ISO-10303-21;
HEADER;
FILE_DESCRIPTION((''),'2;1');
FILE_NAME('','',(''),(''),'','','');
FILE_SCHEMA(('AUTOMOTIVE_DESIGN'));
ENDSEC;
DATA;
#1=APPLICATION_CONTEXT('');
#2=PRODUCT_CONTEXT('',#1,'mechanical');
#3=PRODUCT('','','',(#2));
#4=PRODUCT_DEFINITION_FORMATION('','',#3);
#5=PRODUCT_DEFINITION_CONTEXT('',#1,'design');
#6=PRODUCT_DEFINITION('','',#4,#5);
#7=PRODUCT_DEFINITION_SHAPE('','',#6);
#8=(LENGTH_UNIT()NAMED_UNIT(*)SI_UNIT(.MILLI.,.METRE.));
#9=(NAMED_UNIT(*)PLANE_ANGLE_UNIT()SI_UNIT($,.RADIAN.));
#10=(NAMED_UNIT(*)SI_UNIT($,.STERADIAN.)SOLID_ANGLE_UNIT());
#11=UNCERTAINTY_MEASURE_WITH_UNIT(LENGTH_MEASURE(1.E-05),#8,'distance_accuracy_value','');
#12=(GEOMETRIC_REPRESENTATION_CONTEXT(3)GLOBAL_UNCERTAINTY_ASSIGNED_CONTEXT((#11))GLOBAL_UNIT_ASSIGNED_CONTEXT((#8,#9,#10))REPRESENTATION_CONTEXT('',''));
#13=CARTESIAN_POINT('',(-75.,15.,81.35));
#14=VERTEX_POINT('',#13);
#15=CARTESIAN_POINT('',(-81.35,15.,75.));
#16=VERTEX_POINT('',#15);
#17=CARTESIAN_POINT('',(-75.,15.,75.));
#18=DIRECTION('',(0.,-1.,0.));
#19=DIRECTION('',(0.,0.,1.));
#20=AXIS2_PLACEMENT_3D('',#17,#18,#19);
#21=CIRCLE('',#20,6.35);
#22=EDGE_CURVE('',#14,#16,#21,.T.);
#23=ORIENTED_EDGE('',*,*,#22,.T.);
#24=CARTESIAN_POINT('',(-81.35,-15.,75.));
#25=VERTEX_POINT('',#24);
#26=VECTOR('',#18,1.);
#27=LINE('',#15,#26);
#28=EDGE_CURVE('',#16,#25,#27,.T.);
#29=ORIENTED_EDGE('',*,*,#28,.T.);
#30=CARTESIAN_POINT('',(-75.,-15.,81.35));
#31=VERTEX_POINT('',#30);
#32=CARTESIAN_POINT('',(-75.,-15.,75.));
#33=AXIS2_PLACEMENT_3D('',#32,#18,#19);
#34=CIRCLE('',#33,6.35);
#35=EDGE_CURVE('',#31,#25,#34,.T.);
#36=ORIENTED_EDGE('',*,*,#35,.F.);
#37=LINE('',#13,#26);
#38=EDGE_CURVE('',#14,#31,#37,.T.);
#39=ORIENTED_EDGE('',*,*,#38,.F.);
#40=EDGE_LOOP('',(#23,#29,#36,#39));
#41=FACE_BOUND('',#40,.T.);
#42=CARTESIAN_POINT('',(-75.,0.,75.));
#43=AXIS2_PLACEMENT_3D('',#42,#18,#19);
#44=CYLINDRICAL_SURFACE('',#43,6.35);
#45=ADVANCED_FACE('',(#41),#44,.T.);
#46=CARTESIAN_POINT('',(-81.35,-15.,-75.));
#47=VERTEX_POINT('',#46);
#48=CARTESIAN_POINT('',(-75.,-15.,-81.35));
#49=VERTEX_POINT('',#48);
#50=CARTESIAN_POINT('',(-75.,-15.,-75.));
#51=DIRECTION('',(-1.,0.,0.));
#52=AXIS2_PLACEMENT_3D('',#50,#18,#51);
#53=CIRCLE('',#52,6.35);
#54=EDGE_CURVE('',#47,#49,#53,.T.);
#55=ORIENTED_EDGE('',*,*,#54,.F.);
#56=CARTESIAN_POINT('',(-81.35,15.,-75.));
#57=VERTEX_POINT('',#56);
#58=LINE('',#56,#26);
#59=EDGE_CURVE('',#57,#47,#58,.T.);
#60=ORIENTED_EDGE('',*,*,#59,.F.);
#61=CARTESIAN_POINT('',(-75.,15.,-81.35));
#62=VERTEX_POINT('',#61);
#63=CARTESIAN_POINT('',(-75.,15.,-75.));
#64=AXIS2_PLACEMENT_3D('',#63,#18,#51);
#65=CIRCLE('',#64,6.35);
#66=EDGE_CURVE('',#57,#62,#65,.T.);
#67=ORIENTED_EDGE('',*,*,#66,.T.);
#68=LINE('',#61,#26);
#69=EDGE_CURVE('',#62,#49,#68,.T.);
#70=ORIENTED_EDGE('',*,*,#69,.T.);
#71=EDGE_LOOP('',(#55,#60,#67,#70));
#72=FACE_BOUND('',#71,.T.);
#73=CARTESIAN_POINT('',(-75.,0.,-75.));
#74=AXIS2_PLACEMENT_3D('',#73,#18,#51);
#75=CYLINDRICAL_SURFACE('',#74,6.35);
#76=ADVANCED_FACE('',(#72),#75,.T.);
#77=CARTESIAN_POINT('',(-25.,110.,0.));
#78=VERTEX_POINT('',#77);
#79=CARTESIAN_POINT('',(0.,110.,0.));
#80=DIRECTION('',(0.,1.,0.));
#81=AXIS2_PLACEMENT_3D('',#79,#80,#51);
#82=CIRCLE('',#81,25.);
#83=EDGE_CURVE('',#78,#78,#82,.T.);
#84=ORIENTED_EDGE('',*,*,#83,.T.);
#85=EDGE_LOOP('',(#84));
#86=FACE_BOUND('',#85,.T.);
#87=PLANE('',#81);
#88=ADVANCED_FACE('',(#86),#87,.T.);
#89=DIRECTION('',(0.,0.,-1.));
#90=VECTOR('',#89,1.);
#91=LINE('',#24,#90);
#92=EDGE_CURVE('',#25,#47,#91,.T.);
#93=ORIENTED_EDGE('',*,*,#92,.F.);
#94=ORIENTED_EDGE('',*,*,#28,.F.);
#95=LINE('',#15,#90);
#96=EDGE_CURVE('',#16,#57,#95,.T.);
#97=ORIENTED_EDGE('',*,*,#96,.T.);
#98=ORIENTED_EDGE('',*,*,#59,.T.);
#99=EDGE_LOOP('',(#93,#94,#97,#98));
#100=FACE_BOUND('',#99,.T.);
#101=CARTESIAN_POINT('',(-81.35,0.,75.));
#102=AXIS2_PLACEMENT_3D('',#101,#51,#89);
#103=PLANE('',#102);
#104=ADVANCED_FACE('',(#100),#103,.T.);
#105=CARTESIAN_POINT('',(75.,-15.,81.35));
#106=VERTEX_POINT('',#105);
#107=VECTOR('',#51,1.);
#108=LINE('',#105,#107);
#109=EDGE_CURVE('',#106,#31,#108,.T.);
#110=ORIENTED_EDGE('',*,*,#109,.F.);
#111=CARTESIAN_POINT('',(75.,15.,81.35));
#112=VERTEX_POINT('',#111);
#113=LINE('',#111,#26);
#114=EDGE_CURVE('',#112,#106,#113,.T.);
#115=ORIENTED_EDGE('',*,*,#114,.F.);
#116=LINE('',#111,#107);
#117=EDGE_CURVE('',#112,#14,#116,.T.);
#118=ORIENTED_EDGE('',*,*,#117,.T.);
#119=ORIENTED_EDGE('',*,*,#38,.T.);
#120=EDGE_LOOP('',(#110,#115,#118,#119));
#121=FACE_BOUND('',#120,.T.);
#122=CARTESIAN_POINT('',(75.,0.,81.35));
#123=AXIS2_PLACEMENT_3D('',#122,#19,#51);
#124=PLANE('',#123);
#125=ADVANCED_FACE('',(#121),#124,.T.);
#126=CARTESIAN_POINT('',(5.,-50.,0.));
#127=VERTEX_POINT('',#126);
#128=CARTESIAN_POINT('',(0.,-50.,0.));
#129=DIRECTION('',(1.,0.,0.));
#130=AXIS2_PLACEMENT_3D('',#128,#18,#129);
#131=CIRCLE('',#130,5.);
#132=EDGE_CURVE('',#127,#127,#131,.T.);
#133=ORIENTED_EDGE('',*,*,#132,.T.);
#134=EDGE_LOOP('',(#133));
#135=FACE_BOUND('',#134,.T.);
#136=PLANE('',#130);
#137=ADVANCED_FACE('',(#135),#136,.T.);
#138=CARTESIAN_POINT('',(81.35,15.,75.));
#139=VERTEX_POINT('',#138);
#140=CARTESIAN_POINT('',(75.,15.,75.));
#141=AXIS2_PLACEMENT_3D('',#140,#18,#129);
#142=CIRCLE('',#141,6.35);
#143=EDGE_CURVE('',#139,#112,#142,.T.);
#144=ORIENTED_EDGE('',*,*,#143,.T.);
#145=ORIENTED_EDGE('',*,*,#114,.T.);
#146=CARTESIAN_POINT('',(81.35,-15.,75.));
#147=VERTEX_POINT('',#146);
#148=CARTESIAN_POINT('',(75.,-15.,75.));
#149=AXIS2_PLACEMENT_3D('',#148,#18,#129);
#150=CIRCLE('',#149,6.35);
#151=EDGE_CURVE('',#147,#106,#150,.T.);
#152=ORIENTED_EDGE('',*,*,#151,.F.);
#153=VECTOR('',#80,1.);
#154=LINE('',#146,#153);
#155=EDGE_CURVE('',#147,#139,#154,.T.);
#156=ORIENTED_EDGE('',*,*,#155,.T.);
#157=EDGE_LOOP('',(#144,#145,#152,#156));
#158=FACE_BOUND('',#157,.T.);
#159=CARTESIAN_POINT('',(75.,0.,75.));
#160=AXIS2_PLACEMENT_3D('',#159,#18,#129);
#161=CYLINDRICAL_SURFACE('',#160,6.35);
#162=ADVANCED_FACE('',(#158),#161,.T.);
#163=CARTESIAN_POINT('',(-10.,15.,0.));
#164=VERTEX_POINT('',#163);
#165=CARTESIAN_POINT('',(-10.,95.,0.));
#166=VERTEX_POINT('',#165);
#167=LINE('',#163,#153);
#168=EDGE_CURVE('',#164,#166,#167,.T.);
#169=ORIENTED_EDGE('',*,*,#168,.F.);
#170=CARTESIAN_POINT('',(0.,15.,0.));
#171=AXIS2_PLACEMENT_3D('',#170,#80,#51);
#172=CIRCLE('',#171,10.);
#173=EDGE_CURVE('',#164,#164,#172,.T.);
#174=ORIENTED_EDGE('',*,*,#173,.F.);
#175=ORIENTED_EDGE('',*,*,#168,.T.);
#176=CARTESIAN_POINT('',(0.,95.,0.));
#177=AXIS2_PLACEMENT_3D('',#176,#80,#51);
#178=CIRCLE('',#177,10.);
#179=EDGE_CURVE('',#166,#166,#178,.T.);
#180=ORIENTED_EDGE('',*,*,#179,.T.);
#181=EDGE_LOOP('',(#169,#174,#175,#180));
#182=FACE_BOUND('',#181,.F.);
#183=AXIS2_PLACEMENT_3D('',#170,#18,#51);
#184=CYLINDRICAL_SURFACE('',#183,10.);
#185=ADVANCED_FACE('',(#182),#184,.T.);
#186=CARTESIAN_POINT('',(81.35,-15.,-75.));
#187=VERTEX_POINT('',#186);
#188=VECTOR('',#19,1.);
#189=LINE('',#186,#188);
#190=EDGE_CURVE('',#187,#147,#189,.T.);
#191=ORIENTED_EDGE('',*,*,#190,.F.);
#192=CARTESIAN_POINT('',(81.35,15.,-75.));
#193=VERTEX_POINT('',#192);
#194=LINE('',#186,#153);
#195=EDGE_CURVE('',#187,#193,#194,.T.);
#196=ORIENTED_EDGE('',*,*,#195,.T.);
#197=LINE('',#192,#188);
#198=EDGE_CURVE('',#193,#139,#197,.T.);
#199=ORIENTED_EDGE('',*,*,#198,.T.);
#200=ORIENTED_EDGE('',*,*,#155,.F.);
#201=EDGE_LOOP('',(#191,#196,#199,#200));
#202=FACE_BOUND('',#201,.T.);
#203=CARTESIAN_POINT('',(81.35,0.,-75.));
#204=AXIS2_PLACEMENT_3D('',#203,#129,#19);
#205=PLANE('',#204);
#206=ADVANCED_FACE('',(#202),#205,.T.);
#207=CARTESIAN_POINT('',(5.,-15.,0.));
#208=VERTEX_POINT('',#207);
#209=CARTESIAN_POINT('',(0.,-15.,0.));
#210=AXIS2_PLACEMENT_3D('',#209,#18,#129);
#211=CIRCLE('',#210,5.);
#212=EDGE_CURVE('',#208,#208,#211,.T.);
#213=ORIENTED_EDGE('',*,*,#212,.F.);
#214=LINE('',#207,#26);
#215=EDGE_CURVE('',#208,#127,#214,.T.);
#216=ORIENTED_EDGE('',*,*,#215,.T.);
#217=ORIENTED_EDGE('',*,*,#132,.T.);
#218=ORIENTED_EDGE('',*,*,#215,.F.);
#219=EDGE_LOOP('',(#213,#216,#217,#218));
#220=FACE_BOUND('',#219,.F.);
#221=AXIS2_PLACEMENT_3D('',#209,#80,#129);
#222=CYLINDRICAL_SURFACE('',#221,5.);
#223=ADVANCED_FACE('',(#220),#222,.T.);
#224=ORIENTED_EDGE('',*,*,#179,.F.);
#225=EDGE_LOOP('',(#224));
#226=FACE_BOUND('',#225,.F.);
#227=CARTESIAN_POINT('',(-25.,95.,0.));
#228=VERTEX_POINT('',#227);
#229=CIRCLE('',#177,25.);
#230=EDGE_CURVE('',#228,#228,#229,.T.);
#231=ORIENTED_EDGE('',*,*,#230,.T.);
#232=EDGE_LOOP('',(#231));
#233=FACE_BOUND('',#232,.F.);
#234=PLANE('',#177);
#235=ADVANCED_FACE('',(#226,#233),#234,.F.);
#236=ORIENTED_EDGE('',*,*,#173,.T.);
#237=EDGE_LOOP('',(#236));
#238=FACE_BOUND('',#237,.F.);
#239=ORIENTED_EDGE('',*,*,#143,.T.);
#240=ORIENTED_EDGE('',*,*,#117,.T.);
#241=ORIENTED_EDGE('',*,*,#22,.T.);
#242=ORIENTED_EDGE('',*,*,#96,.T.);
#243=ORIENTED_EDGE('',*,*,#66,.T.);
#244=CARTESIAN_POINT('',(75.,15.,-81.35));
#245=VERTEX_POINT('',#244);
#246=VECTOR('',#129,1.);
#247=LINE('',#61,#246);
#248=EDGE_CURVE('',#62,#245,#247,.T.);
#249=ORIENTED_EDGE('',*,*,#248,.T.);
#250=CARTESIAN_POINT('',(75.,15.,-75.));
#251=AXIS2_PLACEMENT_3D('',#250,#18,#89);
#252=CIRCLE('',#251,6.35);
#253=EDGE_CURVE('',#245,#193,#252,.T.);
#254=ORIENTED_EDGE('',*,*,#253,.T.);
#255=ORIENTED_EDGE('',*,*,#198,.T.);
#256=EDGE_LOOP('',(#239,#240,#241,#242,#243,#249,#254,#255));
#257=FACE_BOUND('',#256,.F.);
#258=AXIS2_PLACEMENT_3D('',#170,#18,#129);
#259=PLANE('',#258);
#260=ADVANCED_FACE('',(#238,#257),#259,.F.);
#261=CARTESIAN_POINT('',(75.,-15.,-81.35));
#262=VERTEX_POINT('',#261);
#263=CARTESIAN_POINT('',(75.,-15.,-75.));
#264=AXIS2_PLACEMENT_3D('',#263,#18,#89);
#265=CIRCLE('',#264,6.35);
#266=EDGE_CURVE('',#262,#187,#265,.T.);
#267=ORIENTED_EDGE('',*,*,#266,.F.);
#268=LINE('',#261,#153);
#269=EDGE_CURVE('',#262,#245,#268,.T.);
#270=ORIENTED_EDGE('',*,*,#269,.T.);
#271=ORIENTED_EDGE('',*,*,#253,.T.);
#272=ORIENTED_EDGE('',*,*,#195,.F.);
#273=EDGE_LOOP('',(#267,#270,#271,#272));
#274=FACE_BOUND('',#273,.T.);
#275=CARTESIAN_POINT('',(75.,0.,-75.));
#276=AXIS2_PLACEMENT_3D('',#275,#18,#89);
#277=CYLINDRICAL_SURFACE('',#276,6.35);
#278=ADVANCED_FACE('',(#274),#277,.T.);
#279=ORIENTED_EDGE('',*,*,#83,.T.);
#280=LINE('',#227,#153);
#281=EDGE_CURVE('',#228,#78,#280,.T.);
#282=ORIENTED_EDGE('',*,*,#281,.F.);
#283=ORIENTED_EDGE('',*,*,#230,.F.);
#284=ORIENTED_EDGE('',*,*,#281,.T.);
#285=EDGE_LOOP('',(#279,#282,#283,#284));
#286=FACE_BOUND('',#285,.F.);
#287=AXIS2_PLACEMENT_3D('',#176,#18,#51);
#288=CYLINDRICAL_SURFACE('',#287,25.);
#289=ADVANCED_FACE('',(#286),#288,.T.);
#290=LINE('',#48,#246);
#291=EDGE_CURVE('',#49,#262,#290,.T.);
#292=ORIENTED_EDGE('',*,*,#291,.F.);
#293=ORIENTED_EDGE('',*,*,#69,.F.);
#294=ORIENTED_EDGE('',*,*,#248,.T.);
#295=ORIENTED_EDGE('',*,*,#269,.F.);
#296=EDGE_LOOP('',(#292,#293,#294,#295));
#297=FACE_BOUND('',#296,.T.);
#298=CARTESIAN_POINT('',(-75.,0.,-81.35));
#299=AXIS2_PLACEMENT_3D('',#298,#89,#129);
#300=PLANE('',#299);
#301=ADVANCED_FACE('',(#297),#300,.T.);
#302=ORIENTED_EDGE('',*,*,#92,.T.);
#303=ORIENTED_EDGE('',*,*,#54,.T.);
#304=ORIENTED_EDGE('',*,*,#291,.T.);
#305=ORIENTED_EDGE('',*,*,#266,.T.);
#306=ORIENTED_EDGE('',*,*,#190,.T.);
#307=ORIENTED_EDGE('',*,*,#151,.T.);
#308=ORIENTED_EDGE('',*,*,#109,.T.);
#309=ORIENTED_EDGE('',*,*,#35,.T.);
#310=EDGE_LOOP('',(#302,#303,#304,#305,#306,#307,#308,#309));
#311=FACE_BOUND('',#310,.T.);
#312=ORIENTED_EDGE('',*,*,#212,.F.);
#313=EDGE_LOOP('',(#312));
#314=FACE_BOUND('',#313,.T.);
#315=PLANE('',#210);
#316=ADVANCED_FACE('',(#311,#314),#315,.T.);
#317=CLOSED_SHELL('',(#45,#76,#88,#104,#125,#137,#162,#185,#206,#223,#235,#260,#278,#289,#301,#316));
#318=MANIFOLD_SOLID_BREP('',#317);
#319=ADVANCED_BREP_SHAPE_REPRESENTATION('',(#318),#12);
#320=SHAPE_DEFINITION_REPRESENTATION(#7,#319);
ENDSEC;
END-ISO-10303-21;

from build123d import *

# Parameters (mm, degrees)
F1_DEPTH = 15
F2_R     = 5
F3_DEPTH = 35
F4_R     = 10
F5_DEPTH = 80
F6_R     = 25
F7_DEPTH = 15


with BuildPart() as f1:
    # F0 (on Front) → F1 (new body, symmetric)
    with BuildSketch(Plane.XZ):
        with BuildLine():
            ThreePointArc((81.35, 75), (79.4901280605, 79.4901280605), (75, 81.35))
            Line((75, 81.35), (-75, 81.35))
            ThreePointArc((-75, 81.35), (-79.4901280605, 79.4901280605), (-81.35, 75))
            Line((-81.35, 75), (-81.35, -75))
            ThreePointArc((-81.35, -75), (-79.4901280605, -79.4901280605), (-75, -81.35))
            Line((-75, -81.35), (75, -81.35))
            ThreePointArc((75, -81.35), (79.4901280605, -79.4901280605), (81.35, -75))
            Line((81.35, -75), (81.35, 75))
        make_face()
    extrude(amount=F1_DEPTH, both=True)

    # F2 (on face) → F3 (join)
    with BuildSketch(Plane.XZ.offset(15)):
        Circle(F2_R)
    extrude(amount=F3_DEPTH)

    # F4 (on face) → F5 (join)
    with BuildSketch(Plane(origin=(0, 15, 0), x_dir=(-1, 0, 0), z_dir=(0, 1, 0))):
        Circle(F4_R)
    extrude(amount=F5_DEPTH)

    # F6 (on face) → F7 (join)
    with BuildSketch(Plane(origin=(0, 95, 0), x_dir=(-1, 0, 0), z_dir=(0, 1, 0))):
        Circle(F6_R)
    extrude(amount=F7_DEPTH)


solid = f1.part
